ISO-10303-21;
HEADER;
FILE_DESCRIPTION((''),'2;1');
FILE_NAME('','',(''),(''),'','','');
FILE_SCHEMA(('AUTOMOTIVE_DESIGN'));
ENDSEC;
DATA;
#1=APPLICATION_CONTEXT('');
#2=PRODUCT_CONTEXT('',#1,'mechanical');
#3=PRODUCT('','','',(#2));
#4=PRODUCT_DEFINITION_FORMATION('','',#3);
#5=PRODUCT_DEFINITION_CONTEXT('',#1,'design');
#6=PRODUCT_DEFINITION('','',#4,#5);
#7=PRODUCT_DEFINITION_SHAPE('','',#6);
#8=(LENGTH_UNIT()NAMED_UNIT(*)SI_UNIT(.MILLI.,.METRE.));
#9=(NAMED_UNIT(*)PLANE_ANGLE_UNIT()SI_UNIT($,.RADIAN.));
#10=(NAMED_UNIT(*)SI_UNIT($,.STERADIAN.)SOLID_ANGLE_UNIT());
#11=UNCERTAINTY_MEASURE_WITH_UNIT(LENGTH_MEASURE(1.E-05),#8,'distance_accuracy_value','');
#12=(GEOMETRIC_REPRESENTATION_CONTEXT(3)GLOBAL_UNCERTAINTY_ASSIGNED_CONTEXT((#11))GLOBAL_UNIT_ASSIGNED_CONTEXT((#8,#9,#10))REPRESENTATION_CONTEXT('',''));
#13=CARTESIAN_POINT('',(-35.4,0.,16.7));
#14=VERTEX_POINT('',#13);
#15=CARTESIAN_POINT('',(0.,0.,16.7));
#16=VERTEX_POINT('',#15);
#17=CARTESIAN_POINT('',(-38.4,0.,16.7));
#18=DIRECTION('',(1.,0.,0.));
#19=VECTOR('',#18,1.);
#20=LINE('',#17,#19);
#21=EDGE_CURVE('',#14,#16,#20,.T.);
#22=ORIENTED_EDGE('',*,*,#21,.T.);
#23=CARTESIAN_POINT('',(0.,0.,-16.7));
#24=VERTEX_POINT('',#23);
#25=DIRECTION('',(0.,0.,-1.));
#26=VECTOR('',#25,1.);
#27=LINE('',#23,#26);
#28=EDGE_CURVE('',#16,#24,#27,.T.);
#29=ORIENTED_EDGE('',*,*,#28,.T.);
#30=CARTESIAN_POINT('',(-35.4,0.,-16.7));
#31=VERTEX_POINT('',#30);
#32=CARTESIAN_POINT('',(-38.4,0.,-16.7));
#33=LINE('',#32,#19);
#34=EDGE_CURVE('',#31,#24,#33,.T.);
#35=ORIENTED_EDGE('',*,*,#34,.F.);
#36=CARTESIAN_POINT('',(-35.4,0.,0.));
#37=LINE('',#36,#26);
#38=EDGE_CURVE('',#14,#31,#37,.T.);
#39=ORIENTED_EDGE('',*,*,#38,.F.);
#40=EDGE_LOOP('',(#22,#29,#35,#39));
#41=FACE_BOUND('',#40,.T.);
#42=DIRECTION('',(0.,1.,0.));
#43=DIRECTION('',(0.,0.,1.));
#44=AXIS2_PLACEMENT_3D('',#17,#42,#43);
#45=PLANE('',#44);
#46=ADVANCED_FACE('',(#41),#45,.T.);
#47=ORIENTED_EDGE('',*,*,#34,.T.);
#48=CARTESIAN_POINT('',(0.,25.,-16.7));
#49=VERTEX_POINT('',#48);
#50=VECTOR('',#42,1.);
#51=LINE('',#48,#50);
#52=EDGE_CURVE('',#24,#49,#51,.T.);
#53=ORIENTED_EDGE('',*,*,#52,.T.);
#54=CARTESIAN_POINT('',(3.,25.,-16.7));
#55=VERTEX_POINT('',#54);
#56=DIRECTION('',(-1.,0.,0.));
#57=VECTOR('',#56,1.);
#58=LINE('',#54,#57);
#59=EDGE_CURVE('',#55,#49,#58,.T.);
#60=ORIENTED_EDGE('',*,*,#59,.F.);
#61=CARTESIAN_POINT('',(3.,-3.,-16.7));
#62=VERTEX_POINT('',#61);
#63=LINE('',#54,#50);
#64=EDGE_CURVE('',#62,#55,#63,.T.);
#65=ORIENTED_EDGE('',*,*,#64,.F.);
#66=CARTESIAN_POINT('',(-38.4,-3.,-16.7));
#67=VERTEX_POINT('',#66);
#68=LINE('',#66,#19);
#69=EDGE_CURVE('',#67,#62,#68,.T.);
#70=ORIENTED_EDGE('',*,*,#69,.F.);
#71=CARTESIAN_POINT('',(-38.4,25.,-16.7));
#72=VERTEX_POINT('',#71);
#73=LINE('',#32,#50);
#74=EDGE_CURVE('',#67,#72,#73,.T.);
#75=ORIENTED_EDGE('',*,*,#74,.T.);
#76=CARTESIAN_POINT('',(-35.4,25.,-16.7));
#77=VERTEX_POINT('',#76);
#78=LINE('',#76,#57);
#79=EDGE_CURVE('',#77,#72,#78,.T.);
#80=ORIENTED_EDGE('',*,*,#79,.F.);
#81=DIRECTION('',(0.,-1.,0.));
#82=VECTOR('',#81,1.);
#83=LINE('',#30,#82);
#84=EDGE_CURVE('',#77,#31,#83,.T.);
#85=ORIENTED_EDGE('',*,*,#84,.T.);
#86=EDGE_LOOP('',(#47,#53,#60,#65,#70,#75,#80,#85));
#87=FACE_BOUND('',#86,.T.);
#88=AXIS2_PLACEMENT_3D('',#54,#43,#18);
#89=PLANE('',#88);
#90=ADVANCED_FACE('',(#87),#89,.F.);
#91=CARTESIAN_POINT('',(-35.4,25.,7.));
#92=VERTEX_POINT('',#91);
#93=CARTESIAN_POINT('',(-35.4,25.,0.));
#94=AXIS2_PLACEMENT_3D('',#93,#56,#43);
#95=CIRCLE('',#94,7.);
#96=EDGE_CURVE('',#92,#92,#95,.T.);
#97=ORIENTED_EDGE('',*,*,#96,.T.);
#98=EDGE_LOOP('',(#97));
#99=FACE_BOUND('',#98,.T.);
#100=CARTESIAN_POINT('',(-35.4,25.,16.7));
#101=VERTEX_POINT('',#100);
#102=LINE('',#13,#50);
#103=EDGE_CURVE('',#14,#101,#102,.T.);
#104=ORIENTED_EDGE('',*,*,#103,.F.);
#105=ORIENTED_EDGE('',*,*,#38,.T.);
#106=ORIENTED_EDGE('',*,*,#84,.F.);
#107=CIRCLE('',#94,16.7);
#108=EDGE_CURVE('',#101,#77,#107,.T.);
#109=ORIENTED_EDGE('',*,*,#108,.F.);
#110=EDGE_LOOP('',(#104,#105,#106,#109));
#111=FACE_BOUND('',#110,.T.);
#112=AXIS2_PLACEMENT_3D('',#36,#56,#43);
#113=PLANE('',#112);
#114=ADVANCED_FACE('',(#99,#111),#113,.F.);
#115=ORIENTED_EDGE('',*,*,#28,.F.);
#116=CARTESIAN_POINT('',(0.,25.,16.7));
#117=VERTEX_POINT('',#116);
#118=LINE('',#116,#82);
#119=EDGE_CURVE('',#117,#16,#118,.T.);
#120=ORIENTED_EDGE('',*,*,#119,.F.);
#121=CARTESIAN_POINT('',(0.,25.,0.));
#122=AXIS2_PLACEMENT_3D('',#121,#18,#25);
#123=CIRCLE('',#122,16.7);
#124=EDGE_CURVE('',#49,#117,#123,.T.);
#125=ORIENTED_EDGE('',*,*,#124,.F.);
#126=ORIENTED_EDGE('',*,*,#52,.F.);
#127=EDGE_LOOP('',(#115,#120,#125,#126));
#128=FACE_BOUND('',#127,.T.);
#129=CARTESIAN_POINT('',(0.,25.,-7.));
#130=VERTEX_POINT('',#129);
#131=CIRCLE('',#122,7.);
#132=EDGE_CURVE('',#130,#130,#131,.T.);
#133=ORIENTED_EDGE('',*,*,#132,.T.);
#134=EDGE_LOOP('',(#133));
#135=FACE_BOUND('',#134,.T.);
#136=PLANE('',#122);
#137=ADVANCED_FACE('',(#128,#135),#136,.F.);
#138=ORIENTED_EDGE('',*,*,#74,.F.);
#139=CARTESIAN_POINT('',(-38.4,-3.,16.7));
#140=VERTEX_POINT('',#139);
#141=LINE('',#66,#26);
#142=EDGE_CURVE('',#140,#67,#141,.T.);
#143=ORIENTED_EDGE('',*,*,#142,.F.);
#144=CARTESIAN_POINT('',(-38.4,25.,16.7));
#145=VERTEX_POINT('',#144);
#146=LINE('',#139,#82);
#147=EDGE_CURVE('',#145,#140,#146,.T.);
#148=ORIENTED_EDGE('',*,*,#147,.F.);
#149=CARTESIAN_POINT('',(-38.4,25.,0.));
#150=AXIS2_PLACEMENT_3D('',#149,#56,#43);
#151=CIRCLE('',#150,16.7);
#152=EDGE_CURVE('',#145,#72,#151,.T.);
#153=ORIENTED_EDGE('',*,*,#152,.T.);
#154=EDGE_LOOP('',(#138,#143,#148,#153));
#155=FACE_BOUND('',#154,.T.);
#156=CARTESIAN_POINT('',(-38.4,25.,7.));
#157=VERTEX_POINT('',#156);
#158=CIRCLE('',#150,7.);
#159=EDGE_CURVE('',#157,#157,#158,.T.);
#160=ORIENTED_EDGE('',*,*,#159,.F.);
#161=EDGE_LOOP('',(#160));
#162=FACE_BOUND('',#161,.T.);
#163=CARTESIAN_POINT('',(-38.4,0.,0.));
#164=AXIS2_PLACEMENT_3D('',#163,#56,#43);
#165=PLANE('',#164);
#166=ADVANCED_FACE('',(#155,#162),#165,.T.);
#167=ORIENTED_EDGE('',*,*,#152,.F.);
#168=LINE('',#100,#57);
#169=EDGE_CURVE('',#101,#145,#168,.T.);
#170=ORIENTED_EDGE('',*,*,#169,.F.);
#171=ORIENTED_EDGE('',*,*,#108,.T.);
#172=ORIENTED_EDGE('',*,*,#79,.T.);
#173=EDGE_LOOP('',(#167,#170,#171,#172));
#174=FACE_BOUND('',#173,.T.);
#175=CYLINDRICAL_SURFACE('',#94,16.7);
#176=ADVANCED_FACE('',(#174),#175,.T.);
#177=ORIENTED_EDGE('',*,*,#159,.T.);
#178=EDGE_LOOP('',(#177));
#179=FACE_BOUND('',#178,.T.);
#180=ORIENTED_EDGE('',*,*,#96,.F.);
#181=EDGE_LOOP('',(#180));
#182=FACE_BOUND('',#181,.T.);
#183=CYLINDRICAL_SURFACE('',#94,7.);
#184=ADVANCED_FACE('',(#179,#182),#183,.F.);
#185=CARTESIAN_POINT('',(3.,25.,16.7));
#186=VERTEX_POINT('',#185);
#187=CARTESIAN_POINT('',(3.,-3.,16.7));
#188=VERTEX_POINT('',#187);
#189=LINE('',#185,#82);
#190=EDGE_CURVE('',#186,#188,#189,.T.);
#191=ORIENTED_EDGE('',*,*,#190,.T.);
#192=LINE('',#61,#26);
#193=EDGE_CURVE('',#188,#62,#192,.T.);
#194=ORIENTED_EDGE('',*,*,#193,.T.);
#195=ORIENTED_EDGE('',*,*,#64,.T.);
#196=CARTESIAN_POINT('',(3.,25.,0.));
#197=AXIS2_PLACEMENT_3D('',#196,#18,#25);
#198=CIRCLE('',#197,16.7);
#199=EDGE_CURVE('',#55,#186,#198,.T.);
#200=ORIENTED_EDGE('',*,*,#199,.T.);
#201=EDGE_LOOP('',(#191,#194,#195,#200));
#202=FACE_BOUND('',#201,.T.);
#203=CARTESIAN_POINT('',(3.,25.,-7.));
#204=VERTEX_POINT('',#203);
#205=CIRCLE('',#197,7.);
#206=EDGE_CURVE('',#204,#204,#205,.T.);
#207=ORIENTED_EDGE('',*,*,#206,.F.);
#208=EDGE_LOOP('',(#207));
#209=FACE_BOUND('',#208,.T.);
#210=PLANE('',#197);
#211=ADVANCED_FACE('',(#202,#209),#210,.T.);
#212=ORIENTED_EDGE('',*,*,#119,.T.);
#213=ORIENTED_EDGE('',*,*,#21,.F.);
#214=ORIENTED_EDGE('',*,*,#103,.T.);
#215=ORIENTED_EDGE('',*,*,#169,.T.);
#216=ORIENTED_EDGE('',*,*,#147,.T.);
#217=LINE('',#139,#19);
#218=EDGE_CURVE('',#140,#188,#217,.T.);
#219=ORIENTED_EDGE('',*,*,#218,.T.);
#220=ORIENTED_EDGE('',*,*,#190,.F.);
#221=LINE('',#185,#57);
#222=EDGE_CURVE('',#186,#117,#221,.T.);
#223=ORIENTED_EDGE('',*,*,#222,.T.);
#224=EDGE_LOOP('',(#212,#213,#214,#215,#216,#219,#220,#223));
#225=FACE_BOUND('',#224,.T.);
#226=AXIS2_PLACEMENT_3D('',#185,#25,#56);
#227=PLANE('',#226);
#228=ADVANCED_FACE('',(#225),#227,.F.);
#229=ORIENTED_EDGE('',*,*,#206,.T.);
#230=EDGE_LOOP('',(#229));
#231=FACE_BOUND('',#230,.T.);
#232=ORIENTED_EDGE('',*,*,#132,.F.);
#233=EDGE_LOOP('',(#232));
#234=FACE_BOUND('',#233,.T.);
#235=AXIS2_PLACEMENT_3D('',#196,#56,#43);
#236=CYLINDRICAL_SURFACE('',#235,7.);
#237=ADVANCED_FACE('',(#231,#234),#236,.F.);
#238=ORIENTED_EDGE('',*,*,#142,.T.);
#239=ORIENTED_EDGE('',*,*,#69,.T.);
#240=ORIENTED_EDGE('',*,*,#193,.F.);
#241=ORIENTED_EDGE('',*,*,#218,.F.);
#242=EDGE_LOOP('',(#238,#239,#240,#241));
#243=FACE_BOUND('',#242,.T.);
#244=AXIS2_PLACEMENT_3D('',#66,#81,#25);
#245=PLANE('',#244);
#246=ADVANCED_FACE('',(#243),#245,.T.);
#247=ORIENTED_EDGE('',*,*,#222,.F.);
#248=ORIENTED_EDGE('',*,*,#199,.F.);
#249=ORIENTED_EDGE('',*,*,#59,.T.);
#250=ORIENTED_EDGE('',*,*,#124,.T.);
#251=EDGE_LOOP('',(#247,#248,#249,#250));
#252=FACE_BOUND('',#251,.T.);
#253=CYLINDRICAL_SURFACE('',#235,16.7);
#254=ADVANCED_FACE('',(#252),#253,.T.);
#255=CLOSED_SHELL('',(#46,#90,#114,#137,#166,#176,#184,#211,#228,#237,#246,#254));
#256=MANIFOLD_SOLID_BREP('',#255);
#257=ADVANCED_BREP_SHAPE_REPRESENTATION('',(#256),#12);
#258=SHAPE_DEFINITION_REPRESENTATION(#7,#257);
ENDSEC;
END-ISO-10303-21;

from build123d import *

# Parameters (mm, degrees)
CROQUIS1_R              = 7.000000002
SALIENTE_EXTRUIR1_DEPTH = 3
CROQUIS2_W              = 33.4
CROQUIS2_H              = 3
SALIENTE_EXTRUIR2_DEPTH = 41.4
CROQUIS3_R              = 7.000000002
SALIENTE_EXTRUIR3_DEPTH = 3


with BuildPart() as part:
    # Croquis1 → Saliente-Extruir1 (new body)
    with BuildSketch(Plane(origin=(0, 0, 0), x_dir=(0, 0, -1), z_dir=(1, 0, 0))):
        with BuildLine():
            Line((16.7, 25), (16.7, 0))
            Line((16.7, 0), (-16.7, 0))
            Line((-16.7, 0), (-16.7, 25))
            ThreePointArc((-16.7, 25), (0, 41.7), (16.7, 25))
        make_face()
        with Locations((0, 25)):
            Circle(CROQUIS1_R, mode=Mode.SUBTRACT)
    extrude(amount=SALIENTE_EXTRUIR1_DEPTH)

    # Croquis2 → Saliente-Extruir2 (add)
    with BuildSketch(Plane(origin=(3, 0, 0), x_dir=(0, 0, -1), z_dir=(1, 0, 0))):
        with Locations((0, -1.5)):
            Rectangle(CROQUIS2_W, CROQUIS2_H)
    extrude(amount=-SALIENTE_EXTRUIR2_DEPTH)

    # Croquis3 → Saliente-Extruir3 (add)
    with BuildSketch(Plane.ZY.offset(38.4)):
        with BuildLine():
            Line((16.7, 0), (16.7, 25))
            ThreePointArc((16.7, 25), (0, 41.7), (-16.7, 25))
            Line((-16.7, 25), (-16.7, 0))
            Line((-16.7, 0), (16.7, 0))
        make_face()
        with Locations((0, 25)):
            Circle(CROQUIS3_R, mode=Mode.SUBTRACT)
    extrude(amount=-SALIENTE_EXTRUIR3_DEPTH)


solid = part.part
